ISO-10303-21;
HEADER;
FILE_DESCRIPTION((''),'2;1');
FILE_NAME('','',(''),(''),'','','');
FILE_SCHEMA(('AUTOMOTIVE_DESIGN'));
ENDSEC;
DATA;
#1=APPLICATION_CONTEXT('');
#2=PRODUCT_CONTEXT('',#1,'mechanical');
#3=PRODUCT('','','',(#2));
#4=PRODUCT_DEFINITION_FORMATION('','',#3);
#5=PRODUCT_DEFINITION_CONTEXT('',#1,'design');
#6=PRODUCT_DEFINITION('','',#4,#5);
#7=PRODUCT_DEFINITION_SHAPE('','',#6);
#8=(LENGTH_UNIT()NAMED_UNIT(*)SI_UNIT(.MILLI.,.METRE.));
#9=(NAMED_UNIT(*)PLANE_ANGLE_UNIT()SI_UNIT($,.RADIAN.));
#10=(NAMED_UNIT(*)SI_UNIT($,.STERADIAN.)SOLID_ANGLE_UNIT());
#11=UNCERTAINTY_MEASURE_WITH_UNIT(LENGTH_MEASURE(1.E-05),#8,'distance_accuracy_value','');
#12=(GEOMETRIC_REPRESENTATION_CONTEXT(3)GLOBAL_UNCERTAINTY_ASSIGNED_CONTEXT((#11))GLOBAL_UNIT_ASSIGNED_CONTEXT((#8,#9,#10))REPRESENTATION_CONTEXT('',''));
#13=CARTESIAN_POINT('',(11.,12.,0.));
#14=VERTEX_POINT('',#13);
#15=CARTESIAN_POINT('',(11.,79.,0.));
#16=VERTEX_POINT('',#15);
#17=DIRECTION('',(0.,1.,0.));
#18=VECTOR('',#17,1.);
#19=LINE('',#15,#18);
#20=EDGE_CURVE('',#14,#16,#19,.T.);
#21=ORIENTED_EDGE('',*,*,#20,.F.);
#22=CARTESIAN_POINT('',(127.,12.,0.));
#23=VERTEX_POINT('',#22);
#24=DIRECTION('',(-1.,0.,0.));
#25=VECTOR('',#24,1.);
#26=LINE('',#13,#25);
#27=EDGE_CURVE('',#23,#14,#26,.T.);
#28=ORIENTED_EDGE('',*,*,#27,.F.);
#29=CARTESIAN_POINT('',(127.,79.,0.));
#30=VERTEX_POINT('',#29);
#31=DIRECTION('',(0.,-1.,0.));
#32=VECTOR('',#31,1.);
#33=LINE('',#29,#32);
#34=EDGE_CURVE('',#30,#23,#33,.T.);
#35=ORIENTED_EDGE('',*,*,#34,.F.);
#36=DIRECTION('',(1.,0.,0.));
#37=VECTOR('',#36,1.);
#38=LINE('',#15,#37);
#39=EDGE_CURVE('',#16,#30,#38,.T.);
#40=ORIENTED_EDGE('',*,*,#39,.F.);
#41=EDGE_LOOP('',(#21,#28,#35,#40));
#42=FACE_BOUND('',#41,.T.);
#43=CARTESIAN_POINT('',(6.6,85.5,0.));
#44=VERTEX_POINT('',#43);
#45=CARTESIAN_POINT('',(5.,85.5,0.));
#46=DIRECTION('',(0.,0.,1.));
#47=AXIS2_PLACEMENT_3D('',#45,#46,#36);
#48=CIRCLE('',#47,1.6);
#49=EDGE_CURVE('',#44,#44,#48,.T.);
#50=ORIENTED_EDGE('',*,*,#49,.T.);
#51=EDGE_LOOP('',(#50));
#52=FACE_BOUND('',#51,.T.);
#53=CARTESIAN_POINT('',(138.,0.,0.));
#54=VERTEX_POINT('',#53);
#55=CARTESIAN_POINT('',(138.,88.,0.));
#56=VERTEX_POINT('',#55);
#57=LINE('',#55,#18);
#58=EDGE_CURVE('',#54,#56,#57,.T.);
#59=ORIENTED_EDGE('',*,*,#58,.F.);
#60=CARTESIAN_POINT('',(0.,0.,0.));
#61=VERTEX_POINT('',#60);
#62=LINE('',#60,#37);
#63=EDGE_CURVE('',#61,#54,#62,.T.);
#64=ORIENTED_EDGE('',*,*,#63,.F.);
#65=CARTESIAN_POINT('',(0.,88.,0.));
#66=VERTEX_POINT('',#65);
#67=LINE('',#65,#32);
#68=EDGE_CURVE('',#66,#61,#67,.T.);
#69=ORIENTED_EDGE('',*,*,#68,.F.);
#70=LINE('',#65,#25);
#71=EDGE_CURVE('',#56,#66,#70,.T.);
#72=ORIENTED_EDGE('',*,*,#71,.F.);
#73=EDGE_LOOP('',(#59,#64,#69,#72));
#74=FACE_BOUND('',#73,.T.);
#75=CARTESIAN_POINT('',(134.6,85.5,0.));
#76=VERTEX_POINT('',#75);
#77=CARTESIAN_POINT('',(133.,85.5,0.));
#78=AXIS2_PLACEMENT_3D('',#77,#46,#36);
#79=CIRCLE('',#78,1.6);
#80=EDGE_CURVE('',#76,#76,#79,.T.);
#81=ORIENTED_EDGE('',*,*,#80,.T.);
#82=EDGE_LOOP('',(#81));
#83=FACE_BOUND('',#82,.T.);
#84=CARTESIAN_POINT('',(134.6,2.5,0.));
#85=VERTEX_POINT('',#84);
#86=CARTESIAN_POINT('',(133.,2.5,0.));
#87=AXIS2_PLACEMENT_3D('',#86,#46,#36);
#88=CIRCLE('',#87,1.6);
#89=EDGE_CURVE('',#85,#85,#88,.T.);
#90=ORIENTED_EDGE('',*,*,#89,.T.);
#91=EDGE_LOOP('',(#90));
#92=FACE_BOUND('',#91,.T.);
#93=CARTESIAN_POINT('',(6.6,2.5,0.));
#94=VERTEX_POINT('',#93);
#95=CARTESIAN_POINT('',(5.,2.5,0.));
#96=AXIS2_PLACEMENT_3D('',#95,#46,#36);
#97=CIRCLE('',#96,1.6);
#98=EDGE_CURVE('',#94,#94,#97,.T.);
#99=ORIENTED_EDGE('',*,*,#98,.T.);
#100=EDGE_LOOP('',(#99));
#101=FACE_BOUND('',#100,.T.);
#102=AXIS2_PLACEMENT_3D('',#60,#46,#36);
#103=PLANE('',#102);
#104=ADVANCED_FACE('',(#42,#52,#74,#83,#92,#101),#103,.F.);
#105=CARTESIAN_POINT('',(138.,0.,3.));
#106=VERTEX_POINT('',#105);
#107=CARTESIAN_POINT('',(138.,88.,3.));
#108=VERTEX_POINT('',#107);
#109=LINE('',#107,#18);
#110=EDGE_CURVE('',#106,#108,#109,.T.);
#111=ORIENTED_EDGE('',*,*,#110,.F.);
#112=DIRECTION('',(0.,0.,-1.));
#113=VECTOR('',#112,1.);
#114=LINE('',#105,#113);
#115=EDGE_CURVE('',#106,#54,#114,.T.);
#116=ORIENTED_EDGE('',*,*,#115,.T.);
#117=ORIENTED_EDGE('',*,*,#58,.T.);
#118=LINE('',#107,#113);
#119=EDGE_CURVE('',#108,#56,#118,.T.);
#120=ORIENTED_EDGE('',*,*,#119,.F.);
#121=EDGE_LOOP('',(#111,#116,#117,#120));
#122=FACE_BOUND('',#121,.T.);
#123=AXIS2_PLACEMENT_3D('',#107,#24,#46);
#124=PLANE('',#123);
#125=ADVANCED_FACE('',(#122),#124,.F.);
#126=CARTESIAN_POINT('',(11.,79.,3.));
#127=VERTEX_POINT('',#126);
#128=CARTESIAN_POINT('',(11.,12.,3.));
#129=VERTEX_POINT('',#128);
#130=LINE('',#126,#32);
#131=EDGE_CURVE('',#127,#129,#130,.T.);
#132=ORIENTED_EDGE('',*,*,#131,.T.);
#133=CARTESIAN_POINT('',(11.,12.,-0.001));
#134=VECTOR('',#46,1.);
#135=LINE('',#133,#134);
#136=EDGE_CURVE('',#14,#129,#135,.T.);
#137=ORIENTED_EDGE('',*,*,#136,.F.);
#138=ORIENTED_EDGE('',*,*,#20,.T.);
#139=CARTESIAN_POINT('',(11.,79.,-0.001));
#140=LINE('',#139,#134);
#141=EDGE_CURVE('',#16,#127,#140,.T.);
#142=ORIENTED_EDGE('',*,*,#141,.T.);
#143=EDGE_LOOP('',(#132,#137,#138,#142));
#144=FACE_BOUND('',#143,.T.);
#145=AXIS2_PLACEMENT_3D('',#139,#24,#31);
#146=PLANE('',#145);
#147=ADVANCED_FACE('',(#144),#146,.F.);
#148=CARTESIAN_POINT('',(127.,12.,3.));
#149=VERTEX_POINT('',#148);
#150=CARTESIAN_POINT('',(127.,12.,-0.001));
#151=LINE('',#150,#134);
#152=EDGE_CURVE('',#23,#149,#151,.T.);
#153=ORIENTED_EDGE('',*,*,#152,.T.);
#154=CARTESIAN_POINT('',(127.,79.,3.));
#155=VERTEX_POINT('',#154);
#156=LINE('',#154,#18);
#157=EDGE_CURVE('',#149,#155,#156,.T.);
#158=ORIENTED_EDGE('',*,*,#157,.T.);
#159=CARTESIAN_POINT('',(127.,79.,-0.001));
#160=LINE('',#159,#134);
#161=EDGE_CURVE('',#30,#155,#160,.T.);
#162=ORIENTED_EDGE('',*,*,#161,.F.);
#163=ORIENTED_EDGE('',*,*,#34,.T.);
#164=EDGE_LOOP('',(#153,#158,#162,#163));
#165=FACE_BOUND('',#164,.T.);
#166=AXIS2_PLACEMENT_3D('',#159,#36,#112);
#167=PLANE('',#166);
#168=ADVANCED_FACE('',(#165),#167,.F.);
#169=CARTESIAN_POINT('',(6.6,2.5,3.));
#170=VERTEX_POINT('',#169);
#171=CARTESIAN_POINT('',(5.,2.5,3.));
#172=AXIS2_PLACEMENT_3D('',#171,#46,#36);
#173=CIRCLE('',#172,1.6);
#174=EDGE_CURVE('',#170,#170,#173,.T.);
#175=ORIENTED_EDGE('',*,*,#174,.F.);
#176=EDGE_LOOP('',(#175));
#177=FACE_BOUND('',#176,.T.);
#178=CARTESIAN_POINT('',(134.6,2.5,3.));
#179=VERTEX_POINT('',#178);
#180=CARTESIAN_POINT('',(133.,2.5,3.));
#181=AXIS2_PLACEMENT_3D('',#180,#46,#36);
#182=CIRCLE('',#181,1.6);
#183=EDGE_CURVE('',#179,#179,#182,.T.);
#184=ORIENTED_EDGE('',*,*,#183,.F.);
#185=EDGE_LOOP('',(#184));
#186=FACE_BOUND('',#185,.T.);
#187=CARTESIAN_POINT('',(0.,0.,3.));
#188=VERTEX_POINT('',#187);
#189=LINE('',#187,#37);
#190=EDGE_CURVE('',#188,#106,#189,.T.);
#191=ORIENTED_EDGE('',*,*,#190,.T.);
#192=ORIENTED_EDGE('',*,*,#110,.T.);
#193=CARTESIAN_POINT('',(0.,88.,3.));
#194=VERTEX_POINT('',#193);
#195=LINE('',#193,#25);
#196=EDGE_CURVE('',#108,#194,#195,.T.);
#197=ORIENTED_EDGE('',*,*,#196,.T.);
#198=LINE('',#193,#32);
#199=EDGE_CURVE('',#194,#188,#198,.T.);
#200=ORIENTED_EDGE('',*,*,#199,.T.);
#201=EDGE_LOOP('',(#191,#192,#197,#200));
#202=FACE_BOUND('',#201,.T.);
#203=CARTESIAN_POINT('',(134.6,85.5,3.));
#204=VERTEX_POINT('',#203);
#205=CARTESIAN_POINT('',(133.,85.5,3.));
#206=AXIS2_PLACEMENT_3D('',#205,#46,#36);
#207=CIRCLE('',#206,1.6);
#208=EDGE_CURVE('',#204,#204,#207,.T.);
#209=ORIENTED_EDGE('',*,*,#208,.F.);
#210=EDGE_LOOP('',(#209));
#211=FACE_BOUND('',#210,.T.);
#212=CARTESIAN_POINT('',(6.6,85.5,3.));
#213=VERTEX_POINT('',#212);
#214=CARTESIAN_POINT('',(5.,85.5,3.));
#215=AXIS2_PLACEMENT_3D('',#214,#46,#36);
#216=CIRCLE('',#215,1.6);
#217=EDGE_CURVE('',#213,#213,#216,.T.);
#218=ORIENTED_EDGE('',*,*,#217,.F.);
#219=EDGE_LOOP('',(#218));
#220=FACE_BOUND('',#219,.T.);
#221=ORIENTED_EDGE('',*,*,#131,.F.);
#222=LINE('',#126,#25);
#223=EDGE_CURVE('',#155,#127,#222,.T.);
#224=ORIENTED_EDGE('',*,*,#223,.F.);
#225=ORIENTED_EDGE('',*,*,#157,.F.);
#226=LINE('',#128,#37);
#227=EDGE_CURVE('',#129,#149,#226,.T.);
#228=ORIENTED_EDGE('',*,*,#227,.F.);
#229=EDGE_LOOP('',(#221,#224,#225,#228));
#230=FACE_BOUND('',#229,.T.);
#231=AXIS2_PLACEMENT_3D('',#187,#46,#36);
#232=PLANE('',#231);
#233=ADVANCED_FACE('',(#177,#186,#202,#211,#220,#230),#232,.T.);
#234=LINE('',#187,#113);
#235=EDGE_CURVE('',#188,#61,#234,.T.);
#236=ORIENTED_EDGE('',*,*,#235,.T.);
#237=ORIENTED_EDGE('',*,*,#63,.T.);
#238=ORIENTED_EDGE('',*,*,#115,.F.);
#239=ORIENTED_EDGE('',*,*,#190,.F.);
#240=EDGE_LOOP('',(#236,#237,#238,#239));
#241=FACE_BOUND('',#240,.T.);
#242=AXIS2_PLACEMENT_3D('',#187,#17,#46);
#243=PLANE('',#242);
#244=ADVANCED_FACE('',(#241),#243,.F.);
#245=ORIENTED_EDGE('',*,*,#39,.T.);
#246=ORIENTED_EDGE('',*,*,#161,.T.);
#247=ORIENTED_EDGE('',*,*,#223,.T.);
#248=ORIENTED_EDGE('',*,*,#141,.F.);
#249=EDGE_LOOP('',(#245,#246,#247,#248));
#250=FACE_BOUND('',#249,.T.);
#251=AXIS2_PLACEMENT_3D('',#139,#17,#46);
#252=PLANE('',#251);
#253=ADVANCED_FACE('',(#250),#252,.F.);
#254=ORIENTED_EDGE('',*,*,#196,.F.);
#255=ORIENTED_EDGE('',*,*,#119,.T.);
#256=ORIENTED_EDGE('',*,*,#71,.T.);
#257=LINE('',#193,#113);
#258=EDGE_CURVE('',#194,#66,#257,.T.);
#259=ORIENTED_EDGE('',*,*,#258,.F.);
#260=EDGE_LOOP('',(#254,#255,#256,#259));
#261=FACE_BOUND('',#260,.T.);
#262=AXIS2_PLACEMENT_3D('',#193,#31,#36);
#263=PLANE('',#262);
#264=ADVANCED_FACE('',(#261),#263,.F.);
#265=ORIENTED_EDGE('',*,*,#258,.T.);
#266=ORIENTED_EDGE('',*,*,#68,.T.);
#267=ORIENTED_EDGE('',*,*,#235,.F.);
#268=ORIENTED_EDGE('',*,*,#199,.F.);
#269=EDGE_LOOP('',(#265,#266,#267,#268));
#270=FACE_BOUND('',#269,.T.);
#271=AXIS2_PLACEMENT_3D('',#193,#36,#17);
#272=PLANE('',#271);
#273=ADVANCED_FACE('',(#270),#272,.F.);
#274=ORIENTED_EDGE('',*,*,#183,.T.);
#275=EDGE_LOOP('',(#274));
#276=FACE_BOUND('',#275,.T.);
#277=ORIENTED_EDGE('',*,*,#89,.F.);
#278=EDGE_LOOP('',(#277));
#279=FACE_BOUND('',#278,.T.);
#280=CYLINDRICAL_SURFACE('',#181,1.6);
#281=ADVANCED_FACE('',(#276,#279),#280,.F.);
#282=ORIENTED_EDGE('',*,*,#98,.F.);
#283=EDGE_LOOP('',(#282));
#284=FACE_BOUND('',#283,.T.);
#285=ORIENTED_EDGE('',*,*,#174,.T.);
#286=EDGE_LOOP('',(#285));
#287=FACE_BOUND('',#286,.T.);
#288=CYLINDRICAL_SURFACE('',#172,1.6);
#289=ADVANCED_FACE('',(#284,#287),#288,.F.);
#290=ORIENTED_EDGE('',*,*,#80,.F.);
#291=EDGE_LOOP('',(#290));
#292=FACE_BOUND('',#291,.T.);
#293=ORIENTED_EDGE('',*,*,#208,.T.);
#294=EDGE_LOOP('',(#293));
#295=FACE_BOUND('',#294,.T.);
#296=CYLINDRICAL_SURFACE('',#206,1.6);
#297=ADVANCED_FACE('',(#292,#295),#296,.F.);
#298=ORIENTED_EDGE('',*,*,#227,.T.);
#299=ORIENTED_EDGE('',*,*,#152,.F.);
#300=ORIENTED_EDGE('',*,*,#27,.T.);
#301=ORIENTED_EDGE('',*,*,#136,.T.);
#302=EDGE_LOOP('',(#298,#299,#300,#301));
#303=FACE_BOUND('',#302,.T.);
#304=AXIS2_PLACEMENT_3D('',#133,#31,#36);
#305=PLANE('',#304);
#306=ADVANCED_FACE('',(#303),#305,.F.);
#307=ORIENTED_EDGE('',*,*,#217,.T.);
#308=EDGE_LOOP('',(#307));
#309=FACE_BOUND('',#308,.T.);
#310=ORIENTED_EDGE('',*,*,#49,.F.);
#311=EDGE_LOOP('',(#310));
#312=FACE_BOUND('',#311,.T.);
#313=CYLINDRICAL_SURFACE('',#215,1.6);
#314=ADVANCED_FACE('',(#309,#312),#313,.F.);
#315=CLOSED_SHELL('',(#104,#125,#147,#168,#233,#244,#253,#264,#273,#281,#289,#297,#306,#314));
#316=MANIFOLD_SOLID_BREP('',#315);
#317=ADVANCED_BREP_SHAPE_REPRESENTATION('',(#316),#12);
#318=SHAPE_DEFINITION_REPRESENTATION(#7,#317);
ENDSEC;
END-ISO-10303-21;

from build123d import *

# Parameters (mm, degrees)
CROQUIS1_W                   = 138
CROQUIS1_H                   = 88
SALIENTE_EXTRUIR1_DEPTH      = 3
CORTAR_EXTRUIR1_REACH        = 165.698
CROQUIS2_W                   = 116
CROQUIS2_H                   = 67
TALADRO_DE_MARGEN_PARA_M31_D = 3.2


with BuildPart() as part:
    # Croquis1 → Saliente-Extruir1 (new body)
    with BuildSketch(Plane.XY):
        with Locations((69, 44)):
            Rectangle(CROQUIS1_W, CROQUIS1_H)
    extrude(amount=SALIENTE_EXTRUIR1_DEPTH)

    # Croquis2 → Cortar-Extruir1 (cut, up to next)
    with BuildSketch(Plane.XY.offset(3), mode=Mode.PRIVATE) as cortar_extruir1_sk1:
        with Locations((69, 45.5)):
            Rectangle(CROQUIS2_W, CROQUIS2_H)
    cortar_extruir1_tool1 = extrude(cortar_extruir1_sk1.sketch, amount=-CORTAR_EXTRUIR1_REACH, mode=Mode.PRIVATE) & part.part
    add(cortar_extruir1_tool1.solids().sort_by_distance((69, 45.5, 3))[0], mode=Mode.SUBTRACT)

    # Taladro de margen para M31 (through all)
    with Locations(Plane(origin=(5, 85.5, 3), x_dir=(1, 0, 0), z_dir=(0, 0, 1))):
        with Locations((0, 0), (128, 0), (128, -83), (0, -83)):
            Hole(TALADRO_DE_MARGEN_PARA_M31_D / 2)


solid = part.part
